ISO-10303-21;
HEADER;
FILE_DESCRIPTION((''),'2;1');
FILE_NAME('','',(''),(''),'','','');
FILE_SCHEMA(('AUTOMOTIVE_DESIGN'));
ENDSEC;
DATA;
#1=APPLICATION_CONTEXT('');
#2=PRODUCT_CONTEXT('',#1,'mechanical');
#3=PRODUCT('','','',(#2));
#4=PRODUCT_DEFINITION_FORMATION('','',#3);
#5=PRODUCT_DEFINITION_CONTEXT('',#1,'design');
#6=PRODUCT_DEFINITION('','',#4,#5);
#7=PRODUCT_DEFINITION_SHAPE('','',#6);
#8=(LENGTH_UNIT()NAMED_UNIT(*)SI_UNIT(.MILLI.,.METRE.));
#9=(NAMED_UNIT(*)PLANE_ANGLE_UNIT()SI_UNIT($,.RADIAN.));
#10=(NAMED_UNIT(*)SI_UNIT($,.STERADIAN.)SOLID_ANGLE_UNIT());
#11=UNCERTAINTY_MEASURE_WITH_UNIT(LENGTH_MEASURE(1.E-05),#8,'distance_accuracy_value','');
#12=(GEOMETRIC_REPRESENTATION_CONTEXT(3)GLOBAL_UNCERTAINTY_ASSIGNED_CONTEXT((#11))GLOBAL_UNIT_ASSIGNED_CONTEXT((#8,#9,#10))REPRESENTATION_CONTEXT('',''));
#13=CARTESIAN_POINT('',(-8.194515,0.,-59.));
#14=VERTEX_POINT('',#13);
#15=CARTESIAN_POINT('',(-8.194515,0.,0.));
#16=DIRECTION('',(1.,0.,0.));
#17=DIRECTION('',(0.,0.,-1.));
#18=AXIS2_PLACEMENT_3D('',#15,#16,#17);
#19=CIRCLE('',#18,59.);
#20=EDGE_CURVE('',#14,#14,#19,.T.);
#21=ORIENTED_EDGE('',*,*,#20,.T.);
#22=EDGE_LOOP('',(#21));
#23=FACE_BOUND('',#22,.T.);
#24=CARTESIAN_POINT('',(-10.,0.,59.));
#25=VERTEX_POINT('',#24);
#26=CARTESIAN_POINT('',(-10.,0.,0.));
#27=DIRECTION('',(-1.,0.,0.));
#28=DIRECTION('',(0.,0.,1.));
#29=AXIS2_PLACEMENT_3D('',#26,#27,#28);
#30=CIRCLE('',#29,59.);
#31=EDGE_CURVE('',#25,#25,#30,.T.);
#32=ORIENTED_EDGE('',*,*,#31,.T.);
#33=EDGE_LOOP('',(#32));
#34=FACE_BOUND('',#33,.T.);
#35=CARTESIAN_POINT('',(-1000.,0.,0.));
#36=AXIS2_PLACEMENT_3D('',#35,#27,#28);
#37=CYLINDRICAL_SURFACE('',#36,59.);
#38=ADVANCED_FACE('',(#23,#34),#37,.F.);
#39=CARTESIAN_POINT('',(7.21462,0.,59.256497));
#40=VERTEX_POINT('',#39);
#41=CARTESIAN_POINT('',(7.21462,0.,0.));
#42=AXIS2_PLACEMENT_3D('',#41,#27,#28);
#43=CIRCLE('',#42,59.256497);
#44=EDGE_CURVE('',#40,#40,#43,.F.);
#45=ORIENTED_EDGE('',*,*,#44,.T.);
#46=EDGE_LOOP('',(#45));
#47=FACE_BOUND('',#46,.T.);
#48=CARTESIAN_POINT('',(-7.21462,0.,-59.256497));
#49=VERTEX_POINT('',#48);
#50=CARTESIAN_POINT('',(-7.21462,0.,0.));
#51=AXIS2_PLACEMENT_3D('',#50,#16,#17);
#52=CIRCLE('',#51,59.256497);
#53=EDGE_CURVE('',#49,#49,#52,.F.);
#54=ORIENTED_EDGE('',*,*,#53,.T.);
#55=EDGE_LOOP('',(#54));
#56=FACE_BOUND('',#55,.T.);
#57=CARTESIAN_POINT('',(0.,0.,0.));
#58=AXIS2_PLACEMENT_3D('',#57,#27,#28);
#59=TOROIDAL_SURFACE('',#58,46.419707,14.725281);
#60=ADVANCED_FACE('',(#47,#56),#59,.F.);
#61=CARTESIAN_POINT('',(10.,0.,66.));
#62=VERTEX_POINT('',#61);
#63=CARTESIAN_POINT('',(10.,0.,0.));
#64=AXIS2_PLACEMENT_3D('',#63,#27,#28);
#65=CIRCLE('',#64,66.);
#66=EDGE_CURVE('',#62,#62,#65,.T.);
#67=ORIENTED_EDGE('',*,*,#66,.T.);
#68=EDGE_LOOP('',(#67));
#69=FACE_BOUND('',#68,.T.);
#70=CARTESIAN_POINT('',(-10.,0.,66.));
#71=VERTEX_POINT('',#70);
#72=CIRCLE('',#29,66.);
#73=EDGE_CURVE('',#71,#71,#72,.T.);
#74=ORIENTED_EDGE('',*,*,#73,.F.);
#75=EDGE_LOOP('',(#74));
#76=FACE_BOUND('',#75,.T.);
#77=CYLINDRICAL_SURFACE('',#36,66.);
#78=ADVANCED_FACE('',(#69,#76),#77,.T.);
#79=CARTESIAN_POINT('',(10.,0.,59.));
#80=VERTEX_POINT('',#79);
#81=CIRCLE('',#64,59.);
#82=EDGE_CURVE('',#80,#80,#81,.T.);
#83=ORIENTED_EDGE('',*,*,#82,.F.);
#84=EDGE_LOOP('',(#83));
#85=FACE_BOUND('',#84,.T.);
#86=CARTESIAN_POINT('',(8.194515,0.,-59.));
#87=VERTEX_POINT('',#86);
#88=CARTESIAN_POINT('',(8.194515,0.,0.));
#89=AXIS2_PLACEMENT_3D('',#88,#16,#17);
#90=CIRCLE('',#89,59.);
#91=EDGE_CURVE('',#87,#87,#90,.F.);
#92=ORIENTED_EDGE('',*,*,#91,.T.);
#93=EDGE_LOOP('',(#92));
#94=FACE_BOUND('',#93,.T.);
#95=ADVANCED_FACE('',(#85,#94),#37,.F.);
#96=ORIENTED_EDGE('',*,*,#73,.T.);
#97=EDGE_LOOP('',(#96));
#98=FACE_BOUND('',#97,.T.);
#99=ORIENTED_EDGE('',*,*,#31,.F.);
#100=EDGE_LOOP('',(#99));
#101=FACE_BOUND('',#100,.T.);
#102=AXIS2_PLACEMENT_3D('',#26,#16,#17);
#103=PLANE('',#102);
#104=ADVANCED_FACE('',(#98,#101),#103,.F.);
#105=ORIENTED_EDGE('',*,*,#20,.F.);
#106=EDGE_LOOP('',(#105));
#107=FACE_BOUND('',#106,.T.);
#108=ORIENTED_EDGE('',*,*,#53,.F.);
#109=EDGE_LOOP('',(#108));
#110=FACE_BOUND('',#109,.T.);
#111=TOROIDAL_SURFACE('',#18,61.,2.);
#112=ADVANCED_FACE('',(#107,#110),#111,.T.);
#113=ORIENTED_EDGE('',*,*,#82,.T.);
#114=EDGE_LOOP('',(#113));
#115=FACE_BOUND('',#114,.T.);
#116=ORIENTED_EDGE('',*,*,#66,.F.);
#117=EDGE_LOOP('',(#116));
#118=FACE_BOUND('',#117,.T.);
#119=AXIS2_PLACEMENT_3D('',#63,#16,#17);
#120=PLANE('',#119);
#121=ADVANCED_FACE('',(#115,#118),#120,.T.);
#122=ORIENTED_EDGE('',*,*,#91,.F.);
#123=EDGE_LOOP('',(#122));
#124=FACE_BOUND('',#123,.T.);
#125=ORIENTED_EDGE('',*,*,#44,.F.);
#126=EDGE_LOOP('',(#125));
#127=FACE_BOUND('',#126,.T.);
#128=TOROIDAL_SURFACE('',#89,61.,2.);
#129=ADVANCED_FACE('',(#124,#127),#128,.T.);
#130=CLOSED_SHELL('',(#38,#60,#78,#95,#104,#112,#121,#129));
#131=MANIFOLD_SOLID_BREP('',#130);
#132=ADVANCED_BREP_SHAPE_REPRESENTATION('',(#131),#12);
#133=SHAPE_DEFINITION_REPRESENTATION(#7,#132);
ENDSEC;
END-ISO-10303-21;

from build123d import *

# Parameters (mm, degrees)
FILLET1_R = 2


with BuildPart() as part:
    # Sketch1 → Revolve5 (revolve)
    with BuildSketch(Plane.XY, mode=Mode.PRIVATE) as revolve5_sk:
        with BuildLine():
            ThreePointArc((7.653112519, 59), (0, 61.144988127), (-7.653112519, 59))
            Line((-7.653112519, 59), (-10, 59))
            Line((-10, 59), (-10, 66))
            Line((-10, 66), (10, 66))
            Line((10, 66), (10, 59))
            Line((10, 59), (7.653112519, 59))
        make_face()
    revolve(revolve5_sk.sketch.rotate(Axis((-1000, 0, 0), (1, 0, 0)), 90), axis=Axis((-1000, 0, 0), (1, 0, 0)))

    # Fillet1
    fillet1_edges = [part.edges().sort_by_distance(p)[0] for p in [
        (-7.653112519, 0, -59),
        (7.653112519, 0, -59),
    ]]
    fillet(fillet1_edges, radius=FILLET1_R)


solid = part.part
